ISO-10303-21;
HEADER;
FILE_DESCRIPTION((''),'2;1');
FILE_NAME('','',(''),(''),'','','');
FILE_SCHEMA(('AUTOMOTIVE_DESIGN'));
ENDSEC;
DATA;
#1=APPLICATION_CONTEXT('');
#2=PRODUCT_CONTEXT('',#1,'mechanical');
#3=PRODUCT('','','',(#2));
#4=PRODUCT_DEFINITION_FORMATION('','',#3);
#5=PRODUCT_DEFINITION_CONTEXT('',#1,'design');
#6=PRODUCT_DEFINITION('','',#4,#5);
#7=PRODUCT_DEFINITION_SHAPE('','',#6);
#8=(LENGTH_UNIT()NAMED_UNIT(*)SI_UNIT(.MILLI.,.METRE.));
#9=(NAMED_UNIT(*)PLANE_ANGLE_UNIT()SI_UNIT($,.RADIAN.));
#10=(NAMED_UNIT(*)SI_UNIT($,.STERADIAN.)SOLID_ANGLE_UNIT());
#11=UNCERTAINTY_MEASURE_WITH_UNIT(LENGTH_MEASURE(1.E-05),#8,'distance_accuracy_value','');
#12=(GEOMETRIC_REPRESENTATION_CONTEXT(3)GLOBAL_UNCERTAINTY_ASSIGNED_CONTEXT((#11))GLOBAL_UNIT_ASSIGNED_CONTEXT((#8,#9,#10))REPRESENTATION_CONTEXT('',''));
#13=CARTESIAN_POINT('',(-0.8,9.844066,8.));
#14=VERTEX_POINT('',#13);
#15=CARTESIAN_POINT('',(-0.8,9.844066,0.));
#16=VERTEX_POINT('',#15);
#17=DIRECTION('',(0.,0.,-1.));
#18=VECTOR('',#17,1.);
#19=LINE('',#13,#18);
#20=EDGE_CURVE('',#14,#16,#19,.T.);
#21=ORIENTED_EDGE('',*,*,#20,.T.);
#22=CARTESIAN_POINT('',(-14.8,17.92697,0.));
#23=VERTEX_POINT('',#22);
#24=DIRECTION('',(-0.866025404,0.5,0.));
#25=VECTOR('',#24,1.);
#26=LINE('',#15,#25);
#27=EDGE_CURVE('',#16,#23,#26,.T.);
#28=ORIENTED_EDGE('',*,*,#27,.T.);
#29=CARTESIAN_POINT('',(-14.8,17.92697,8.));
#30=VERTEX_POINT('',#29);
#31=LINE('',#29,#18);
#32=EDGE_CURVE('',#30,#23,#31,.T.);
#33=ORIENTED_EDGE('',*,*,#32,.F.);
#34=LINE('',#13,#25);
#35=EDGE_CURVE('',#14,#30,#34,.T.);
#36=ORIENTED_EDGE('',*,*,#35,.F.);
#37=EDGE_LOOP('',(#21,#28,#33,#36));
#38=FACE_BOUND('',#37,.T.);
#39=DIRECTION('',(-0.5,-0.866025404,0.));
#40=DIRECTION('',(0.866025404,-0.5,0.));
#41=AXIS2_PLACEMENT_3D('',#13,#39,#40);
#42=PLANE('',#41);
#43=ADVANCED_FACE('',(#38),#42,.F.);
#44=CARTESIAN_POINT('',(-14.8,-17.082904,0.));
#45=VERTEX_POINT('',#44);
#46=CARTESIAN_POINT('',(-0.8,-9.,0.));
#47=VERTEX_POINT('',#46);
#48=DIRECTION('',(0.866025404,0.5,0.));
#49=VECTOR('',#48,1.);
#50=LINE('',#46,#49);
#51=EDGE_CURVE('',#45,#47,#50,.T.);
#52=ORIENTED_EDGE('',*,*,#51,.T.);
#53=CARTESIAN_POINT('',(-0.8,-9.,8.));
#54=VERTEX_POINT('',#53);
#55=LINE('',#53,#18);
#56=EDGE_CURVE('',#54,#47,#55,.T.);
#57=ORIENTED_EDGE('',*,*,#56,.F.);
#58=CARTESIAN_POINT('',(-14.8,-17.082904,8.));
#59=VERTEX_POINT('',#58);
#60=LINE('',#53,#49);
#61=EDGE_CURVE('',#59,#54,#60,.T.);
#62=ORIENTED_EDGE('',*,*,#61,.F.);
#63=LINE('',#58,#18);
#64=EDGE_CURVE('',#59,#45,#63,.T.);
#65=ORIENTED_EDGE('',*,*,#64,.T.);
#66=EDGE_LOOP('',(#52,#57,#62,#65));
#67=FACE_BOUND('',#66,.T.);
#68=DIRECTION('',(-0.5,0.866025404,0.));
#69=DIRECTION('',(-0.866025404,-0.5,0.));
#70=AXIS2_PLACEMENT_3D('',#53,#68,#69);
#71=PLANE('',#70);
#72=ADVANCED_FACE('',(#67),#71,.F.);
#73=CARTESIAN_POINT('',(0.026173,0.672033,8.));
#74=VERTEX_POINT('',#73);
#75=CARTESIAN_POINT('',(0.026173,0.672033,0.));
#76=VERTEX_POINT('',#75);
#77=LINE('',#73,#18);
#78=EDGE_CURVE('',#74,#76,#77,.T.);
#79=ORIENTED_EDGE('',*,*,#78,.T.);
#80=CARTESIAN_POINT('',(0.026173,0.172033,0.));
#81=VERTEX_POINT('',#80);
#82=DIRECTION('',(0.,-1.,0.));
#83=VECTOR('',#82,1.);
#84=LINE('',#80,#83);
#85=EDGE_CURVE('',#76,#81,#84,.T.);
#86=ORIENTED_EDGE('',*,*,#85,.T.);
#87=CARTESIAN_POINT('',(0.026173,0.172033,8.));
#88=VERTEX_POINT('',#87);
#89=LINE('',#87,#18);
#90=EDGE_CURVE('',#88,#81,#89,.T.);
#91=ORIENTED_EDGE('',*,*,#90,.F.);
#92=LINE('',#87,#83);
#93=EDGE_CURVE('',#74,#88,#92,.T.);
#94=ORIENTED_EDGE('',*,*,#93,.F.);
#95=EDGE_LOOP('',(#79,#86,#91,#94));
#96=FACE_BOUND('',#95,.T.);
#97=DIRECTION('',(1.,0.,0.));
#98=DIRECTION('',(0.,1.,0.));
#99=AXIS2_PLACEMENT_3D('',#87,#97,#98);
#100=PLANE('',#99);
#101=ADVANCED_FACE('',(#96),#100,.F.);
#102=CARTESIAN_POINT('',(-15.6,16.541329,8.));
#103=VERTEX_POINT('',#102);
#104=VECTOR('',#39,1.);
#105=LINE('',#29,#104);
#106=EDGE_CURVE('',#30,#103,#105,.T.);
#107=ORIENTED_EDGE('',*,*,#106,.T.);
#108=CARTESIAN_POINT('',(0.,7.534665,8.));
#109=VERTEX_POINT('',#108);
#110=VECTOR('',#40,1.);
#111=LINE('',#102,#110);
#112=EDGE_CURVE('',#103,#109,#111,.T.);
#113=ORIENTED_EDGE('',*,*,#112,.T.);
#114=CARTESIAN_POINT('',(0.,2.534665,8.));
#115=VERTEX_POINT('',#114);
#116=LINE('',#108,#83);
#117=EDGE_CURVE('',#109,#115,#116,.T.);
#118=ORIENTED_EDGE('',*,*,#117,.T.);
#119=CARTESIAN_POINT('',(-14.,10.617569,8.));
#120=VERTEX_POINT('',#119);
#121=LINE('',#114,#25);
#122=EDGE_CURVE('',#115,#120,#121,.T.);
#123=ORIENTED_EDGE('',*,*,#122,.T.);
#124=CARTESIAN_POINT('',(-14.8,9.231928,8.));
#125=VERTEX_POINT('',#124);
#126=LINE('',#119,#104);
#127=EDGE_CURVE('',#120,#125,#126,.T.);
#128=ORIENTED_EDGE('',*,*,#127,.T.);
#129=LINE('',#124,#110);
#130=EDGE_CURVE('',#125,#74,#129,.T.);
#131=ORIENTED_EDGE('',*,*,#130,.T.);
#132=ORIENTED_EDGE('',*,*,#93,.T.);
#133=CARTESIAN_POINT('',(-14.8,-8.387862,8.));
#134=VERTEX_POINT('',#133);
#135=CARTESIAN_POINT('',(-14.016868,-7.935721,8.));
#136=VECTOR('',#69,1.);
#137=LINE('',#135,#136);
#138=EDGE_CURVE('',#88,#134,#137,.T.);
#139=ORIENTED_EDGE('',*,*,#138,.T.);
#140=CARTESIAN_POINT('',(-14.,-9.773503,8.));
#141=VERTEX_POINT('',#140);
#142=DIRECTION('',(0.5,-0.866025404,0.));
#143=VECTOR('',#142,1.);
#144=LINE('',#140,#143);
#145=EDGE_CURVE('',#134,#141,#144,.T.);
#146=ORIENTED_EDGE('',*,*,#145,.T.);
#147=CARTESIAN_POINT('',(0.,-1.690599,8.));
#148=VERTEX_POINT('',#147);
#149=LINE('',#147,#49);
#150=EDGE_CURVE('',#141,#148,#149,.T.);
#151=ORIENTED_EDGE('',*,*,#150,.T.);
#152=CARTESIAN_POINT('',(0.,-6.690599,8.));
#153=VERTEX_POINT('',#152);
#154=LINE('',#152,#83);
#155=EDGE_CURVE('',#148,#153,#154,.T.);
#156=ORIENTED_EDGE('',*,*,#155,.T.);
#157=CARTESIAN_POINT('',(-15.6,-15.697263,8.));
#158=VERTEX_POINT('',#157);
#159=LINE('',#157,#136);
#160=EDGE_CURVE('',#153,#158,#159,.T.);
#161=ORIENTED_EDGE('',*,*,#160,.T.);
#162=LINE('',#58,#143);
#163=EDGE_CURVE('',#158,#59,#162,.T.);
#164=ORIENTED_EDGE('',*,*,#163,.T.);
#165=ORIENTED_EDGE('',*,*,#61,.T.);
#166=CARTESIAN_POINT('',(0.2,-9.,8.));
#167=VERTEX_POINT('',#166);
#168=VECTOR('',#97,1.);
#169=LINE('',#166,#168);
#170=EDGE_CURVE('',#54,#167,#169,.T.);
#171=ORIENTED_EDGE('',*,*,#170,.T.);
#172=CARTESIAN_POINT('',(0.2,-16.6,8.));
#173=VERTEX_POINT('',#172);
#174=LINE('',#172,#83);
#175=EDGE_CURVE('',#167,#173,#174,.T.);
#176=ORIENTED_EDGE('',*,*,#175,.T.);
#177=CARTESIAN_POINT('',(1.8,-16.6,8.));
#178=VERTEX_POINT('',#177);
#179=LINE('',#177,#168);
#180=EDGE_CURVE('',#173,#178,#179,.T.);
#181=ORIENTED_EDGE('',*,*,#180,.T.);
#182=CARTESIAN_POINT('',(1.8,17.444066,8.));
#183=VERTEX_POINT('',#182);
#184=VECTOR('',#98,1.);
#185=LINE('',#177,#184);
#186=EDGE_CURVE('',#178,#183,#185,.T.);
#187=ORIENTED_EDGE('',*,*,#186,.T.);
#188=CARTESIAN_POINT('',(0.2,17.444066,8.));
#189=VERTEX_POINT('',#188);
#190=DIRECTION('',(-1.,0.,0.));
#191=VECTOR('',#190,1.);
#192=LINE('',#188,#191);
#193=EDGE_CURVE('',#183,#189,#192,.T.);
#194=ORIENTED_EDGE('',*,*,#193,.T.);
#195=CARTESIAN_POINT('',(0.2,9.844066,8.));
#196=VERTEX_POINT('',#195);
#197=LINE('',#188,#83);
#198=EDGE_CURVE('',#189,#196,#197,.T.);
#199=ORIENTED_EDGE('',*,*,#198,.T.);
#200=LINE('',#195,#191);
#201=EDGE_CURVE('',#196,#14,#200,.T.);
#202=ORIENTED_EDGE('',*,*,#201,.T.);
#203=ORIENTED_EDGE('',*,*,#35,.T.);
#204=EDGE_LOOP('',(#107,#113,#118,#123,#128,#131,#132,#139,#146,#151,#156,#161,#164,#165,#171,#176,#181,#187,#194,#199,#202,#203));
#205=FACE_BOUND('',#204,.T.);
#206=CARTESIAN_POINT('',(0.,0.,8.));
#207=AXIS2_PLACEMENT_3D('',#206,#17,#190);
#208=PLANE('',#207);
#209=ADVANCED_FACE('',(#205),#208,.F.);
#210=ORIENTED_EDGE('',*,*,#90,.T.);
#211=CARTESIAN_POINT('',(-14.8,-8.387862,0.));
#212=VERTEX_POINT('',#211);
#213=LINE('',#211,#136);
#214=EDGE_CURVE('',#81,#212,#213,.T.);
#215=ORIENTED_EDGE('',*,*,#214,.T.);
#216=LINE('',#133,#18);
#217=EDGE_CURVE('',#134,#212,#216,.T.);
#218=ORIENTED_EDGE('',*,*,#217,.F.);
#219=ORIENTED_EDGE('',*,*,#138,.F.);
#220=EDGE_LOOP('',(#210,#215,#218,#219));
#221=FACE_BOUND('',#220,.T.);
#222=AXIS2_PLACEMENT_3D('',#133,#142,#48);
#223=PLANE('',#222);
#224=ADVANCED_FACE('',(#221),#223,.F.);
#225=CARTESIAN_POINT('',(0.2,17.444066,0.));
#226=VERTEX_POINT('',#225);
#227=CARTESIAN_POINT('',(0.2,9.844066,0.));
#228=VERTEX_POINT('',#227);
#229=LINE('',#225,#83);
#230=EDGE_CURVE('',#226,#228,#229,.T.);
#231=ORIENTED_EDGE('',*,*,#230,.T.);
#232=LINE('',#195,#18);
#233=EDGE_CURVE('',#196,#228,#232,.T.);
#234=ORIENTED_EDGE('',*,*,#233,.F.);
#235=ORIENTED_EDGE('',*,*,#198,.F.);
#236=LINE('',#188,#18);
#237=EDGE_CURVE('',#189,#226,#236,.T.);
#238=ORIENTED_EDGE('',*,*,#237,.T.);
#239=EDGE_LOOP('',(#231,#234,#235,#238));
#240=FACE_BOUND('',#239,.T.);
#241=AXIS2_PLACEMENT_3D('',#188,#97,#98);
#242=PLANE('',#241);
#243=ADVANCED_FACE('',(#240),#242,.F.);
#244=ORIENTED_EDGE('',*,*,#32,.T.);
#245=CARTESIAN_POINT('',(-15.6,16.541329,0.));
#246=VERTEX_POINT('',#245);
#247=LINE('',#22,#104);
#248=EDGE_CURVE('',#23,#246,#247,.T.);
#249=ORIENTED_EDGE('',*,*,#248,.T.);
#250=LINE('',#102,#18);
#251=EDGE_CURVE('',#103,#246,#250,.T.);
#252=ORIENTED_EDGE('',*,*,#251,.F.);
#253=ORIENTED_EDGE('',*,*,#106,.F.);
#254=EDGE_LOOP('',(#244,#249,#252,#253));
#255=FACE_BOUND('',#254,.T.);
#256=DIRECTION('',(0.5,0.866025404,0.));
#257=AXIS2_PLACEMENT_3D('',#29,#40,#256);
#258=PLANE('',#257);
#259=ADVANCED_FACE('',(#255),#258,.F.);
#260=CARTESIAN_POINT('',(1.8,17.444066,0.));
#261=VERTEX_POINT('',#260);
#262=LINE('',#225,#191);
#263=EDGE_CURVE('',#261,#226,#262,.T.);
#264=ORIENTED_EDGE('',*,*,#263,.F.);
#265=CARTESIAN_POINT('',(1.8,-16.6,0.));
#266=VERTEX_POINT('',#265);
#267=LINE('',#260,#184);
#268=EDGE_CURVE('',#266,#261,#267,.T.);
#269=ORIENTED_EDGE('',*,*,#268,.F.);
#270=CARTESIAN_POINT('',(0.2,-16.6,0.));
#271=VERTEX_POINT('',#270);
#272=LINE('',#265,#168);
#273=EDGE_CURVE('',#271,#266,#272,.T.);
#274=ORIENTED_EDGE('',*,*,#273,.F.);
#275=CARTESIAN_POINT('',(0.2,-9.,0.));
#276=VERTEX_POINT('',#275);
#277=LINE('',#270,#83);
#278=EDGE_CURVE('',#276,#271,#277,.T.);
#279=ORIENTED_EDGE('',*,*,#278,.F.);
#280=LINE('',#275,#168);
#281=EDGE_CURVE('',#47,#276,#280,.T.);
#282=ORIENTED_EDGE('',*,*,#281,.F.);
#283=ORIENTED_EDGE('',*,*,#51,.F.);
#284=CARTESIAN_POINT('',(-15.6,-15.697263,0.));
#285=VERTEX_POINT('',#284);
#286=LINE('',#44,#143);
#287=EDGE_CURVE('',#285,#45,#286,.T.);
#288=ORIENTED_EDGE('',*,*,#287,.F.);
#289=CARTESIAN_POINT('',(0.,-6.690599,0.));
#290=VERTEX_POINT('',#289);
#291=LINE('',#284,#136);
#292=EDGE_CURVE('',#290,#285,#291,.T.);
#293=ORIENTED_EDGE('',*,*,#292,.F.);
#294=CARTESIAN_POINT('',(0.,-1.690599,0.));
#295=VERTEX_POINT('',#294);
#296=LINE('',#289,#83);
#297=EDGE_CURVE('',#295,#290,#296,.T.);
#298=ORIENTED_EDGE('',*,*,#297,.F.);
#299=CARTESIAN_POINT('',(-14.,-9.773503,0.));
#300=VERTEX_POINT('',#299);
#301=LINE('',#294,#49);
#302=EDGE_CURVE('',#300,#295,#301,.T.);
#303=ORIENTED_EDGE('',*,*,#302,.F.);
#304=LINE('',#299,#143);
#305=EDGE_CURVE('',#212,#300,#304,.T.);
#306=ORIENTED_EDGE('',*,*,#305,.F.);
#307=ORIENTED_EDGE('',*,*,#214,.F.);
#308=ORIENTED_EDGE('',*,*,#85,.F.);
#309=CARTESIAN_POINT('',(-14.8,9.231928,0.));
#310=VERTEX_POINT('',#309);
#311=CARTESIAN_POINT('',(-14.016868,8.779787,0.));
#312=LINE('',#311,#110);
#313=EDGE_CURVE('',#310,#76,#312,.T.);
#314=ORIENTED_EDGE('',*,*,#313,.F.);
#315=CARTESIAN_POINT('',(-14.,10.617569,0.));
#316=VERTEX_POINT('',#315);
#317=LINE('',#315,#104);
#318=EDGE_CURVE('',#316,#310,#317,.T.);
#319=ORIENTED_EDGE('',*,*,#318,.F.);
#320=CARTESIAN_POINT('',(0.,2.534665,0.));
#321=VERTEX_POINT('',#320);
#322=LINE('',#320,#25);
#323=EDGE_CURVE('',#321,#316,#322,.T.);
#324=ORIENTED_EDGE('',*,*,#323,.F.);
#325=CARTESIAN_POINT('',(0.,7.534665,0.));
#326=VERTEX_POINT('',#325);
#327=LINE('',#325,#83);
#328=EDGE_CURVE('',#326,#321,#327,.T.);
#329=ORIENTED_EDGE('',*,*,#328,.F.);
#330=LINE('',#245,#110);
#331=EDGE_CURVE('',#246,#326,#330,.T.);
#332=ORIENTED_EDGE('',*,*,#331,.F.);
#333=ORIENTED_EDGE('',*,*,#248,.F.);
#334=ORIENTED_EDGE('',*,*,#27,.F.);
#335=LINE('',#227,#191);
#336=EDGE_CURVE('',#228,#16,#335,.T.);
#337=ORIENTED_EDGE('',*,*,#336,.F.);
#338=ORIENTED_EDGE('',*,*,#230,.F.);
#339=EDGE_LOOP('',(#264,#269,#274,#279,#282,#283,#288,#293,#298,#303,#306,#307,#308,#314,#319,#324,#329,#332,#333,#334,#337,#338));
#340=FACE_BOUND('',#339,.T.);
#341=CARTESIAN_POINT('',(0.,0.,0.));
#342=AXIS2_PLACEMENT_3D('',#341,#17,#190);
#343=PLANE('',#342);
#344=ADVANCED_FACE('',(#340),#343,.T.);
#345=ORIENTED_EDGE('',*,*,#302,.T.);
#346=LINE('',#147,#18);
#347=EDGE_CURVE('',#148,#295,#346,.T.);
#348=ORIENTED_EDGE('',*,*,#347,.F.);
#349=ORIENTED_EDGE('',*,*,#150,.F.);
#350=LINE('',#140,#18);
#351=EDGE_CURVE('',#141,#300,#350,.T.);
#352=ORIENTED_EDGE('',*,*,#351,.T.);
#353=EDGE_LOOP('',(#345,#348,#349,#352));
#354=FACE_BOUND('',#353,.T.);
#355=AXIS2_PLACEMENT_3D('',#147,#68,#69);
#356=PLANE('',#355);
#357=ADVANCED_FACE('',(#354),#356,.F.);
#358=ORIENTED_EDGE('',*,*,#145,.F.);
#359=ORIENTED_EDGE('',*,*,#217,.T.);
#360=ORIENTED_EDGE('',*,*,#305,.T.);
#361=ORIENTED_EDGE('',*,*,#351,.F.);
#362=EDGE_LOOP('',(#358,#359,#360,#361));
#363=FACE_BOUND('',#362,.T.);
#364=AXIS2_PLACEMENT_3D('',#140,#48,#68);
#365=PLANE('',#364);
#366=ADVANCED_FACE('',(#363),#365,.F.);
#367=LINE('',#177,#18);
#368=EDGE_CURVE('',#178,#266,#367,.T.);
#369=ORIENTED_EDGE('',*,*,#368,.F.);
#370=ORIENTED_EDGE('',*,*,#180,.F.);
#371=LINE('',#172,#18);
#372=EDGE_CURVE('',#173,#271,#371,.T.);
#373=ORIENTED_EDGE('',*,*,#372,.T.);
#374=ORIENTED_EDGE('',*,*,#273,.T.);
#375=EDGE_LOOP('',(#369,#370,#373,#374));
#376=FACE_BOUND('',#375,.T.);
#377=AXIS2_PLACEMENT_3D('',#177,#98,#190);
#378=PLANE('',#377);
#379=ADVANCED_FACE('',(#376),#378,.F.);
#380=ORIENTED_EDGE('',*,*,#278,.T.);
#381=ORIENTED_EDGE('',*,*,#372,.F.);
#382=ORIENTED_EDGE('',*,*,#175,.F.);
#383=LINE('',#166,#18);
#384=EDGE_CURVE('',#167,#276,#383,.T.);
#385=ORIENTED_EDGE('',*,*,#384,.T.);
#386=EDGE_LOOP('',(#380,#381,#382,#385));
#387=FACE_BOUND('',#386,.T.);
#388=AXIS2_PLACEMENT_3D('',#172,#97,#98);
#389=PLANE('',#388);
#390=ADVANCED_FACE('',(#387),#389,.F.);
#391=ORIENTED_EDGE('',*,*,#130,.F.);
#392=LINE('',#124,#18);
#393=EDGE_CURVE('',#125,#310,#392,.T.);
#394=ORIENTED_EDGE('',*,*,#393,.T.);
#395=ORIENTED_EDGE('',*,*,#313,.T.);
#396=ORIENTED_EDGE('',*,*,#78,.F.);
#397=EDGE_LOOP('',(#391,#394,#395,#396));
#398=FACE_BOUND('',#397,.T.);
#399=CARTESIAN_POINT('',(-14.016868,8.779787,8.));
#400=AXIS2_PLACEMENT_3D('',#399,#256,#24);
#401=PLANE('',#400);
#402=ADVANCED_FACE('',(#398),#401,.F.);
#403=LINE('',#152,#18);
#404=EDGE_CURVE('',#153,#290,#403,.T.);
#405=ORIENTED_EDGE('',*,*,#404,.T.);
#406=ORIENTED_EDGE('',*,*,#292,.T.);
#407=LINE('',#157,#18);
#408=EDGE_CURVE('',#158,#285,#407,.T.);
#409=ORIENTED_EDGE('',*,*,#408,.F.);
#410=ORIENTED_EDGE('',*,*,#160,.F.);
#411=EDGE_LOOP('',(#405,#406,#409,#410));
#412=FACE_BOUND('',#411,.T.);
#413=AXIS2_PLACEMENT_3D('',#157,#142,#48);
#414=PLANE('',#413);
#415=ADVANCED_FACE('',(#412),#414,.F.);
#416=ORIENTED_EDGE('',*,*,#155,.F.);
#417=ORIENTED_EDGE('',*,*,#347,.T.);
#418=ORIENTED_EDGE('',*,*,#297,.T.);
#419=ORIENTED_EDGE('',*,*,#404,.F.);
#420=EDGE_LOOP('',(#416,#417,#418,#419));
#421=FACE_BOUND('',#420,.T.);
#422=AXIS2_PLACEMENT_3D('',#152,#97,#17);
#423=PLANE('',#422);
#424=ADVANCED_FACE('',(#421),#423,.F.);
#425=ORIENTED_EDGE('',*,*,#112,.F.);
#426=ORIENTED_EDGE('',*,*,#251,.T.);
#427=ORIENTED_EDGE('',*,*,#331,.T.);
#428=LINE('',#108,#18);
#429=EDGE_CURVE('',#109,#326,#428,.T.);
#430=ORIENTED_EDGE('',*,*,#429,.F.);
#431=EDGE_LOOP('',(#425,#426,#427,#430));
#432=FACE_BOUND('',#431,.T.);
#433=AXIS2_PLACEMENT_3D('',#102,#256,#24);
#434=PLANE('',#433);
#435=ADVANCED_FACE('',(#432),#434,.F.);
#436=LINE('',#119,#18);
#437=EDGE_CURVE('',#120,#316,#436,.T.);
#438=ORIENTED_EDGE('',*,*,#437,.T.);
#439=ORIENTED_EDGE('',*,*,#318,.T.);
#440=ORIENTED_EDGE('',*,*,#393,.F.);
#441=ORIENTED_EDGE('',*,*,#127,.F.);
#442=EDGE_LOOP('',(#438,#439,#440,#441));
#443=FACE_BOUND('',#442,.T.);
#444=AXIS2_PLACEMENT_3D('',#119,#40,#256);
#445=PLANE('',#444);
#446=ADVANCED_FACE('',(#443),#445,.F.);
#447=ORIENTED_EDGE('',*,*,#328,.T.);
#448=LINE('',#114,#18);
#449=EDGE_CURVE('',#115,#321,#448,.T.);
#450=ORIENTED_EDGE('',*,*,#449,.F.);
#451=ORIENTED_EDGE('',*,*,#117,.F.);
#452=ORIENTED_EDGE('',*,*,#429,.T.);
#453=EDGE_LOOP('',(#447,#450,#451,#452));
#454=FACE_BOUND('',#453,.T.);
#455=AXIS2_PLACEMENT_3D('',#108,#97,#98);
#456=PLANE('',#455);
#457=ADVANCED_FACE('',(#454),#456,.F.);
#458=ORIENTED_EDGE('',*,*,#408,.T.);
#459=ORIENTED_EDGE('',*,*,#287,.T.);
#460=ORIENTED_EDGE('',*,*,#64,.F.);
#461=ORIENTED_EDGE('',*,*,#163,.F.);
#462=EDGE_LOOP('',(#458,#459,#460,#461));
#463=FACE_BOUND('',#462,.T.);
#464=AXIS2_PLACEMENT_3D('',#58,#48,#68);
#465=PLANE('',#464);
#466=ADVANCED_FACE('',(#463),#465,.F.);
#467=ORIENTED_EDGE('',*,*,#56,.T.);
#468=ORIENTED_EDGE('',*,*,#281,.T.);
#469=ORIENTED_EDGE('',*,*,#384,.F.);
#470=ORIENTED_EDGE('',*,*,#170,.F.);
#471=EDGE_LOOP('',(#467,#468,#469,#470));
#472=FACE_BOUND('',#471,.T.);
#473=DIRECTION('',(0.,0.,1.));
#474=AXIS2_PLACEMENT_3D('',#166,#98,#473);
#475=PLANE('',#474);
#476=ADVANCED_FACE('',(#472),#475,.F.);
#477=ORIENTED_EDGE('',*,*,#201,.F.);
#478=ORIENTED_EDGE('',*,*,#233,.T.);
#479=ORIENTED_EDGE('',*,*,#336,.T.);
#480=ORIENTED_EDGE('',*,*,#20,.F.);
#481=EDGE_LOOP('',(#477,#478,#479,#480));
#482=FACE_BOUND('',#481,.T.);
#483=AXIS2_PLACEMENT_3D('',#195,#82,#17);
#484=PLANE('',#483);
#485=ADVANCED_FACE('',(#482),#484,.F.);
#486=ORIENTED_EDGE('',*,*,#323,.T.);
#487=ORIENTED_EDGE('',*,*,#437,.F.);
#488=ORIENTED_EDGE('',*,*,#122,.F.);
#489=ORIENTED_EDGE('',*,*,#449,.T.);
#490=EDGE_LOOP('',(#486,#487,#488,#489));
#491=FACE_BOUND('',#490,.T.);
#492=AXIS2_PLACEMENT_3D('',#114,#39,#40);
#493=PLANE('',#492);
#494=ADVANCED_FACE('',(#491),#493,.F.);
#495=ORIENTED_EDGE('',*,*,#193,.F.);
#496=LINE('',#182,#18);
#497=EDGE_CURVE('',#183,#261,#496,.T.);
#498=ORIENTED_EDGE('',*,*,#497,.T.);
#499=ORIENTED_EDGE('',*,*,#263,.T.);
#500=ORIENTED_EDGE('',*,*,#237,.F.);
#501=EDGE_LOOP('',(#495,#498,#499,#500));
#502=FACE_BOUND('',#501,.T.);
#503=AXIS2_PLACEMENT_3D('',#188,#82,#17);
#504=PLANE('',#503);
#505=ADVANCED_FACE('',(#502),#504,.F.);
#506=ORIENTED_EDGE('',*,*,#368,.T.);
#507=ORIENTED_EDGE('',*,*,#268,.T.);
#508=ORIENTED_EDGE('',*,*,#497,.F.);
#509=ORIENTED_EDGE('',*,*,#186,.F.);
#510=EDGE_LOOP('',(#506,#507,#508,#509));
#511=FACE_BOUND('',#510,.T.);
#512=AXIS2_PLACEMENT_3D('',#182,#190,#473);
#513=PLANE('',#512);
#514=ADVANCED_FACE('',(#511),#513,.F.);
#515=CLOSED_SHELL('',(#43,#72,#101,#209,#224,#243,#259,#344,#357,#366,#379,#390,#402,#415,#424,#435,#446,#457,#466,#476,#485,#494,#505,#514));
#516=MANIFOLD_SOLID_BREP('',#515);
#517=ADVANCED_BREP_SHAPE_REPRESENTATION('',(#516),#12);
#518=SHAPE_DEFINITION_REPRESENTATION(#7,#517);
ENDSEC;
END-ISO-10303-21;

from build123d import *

# Parameters (mm, degrees)
BOSS_EXTRUDE1_DEPTH = 8


with BuildPart() as part:
    # Sketch1 → Boss-Extrude1 (new body)
    with BuildSketch(Plane(origin=(0, 0, 0), x_dir=(0, 1, 0), z_dir=(0, 0, 1))):
        Polygon((-16.6, -1.8), (-16.6, -0.2), (-9, -0.2), (-9, 0.8), (-17.082903769, 14.8), (-15.697263123, 15.6), (-6.690598923, 0), (-1.690598923, 0), (-9.773502692, 14), (-8.387862046, 14.8), (-7.935720847, 14.016868471), (0.172032948, -0.026173037), (0.672032948, -0.026173037), (8.779786743, 14.016868471), (9.231927942, 14.8), (10.617568588, 14), (2.534664819, 0), (7.534664819, 0), (16.541329018, 15.6), (17.926969664, 14.8), (9.844065896, 0.8), (9.844065896, -0.2), (17.444065896, -0.2), (17.444065896, -1.8), (0.422032948, -1.8), align=None)
    extrude(amount=BOSS_EXTRUDE1_DEPTH)


solid = part.part
